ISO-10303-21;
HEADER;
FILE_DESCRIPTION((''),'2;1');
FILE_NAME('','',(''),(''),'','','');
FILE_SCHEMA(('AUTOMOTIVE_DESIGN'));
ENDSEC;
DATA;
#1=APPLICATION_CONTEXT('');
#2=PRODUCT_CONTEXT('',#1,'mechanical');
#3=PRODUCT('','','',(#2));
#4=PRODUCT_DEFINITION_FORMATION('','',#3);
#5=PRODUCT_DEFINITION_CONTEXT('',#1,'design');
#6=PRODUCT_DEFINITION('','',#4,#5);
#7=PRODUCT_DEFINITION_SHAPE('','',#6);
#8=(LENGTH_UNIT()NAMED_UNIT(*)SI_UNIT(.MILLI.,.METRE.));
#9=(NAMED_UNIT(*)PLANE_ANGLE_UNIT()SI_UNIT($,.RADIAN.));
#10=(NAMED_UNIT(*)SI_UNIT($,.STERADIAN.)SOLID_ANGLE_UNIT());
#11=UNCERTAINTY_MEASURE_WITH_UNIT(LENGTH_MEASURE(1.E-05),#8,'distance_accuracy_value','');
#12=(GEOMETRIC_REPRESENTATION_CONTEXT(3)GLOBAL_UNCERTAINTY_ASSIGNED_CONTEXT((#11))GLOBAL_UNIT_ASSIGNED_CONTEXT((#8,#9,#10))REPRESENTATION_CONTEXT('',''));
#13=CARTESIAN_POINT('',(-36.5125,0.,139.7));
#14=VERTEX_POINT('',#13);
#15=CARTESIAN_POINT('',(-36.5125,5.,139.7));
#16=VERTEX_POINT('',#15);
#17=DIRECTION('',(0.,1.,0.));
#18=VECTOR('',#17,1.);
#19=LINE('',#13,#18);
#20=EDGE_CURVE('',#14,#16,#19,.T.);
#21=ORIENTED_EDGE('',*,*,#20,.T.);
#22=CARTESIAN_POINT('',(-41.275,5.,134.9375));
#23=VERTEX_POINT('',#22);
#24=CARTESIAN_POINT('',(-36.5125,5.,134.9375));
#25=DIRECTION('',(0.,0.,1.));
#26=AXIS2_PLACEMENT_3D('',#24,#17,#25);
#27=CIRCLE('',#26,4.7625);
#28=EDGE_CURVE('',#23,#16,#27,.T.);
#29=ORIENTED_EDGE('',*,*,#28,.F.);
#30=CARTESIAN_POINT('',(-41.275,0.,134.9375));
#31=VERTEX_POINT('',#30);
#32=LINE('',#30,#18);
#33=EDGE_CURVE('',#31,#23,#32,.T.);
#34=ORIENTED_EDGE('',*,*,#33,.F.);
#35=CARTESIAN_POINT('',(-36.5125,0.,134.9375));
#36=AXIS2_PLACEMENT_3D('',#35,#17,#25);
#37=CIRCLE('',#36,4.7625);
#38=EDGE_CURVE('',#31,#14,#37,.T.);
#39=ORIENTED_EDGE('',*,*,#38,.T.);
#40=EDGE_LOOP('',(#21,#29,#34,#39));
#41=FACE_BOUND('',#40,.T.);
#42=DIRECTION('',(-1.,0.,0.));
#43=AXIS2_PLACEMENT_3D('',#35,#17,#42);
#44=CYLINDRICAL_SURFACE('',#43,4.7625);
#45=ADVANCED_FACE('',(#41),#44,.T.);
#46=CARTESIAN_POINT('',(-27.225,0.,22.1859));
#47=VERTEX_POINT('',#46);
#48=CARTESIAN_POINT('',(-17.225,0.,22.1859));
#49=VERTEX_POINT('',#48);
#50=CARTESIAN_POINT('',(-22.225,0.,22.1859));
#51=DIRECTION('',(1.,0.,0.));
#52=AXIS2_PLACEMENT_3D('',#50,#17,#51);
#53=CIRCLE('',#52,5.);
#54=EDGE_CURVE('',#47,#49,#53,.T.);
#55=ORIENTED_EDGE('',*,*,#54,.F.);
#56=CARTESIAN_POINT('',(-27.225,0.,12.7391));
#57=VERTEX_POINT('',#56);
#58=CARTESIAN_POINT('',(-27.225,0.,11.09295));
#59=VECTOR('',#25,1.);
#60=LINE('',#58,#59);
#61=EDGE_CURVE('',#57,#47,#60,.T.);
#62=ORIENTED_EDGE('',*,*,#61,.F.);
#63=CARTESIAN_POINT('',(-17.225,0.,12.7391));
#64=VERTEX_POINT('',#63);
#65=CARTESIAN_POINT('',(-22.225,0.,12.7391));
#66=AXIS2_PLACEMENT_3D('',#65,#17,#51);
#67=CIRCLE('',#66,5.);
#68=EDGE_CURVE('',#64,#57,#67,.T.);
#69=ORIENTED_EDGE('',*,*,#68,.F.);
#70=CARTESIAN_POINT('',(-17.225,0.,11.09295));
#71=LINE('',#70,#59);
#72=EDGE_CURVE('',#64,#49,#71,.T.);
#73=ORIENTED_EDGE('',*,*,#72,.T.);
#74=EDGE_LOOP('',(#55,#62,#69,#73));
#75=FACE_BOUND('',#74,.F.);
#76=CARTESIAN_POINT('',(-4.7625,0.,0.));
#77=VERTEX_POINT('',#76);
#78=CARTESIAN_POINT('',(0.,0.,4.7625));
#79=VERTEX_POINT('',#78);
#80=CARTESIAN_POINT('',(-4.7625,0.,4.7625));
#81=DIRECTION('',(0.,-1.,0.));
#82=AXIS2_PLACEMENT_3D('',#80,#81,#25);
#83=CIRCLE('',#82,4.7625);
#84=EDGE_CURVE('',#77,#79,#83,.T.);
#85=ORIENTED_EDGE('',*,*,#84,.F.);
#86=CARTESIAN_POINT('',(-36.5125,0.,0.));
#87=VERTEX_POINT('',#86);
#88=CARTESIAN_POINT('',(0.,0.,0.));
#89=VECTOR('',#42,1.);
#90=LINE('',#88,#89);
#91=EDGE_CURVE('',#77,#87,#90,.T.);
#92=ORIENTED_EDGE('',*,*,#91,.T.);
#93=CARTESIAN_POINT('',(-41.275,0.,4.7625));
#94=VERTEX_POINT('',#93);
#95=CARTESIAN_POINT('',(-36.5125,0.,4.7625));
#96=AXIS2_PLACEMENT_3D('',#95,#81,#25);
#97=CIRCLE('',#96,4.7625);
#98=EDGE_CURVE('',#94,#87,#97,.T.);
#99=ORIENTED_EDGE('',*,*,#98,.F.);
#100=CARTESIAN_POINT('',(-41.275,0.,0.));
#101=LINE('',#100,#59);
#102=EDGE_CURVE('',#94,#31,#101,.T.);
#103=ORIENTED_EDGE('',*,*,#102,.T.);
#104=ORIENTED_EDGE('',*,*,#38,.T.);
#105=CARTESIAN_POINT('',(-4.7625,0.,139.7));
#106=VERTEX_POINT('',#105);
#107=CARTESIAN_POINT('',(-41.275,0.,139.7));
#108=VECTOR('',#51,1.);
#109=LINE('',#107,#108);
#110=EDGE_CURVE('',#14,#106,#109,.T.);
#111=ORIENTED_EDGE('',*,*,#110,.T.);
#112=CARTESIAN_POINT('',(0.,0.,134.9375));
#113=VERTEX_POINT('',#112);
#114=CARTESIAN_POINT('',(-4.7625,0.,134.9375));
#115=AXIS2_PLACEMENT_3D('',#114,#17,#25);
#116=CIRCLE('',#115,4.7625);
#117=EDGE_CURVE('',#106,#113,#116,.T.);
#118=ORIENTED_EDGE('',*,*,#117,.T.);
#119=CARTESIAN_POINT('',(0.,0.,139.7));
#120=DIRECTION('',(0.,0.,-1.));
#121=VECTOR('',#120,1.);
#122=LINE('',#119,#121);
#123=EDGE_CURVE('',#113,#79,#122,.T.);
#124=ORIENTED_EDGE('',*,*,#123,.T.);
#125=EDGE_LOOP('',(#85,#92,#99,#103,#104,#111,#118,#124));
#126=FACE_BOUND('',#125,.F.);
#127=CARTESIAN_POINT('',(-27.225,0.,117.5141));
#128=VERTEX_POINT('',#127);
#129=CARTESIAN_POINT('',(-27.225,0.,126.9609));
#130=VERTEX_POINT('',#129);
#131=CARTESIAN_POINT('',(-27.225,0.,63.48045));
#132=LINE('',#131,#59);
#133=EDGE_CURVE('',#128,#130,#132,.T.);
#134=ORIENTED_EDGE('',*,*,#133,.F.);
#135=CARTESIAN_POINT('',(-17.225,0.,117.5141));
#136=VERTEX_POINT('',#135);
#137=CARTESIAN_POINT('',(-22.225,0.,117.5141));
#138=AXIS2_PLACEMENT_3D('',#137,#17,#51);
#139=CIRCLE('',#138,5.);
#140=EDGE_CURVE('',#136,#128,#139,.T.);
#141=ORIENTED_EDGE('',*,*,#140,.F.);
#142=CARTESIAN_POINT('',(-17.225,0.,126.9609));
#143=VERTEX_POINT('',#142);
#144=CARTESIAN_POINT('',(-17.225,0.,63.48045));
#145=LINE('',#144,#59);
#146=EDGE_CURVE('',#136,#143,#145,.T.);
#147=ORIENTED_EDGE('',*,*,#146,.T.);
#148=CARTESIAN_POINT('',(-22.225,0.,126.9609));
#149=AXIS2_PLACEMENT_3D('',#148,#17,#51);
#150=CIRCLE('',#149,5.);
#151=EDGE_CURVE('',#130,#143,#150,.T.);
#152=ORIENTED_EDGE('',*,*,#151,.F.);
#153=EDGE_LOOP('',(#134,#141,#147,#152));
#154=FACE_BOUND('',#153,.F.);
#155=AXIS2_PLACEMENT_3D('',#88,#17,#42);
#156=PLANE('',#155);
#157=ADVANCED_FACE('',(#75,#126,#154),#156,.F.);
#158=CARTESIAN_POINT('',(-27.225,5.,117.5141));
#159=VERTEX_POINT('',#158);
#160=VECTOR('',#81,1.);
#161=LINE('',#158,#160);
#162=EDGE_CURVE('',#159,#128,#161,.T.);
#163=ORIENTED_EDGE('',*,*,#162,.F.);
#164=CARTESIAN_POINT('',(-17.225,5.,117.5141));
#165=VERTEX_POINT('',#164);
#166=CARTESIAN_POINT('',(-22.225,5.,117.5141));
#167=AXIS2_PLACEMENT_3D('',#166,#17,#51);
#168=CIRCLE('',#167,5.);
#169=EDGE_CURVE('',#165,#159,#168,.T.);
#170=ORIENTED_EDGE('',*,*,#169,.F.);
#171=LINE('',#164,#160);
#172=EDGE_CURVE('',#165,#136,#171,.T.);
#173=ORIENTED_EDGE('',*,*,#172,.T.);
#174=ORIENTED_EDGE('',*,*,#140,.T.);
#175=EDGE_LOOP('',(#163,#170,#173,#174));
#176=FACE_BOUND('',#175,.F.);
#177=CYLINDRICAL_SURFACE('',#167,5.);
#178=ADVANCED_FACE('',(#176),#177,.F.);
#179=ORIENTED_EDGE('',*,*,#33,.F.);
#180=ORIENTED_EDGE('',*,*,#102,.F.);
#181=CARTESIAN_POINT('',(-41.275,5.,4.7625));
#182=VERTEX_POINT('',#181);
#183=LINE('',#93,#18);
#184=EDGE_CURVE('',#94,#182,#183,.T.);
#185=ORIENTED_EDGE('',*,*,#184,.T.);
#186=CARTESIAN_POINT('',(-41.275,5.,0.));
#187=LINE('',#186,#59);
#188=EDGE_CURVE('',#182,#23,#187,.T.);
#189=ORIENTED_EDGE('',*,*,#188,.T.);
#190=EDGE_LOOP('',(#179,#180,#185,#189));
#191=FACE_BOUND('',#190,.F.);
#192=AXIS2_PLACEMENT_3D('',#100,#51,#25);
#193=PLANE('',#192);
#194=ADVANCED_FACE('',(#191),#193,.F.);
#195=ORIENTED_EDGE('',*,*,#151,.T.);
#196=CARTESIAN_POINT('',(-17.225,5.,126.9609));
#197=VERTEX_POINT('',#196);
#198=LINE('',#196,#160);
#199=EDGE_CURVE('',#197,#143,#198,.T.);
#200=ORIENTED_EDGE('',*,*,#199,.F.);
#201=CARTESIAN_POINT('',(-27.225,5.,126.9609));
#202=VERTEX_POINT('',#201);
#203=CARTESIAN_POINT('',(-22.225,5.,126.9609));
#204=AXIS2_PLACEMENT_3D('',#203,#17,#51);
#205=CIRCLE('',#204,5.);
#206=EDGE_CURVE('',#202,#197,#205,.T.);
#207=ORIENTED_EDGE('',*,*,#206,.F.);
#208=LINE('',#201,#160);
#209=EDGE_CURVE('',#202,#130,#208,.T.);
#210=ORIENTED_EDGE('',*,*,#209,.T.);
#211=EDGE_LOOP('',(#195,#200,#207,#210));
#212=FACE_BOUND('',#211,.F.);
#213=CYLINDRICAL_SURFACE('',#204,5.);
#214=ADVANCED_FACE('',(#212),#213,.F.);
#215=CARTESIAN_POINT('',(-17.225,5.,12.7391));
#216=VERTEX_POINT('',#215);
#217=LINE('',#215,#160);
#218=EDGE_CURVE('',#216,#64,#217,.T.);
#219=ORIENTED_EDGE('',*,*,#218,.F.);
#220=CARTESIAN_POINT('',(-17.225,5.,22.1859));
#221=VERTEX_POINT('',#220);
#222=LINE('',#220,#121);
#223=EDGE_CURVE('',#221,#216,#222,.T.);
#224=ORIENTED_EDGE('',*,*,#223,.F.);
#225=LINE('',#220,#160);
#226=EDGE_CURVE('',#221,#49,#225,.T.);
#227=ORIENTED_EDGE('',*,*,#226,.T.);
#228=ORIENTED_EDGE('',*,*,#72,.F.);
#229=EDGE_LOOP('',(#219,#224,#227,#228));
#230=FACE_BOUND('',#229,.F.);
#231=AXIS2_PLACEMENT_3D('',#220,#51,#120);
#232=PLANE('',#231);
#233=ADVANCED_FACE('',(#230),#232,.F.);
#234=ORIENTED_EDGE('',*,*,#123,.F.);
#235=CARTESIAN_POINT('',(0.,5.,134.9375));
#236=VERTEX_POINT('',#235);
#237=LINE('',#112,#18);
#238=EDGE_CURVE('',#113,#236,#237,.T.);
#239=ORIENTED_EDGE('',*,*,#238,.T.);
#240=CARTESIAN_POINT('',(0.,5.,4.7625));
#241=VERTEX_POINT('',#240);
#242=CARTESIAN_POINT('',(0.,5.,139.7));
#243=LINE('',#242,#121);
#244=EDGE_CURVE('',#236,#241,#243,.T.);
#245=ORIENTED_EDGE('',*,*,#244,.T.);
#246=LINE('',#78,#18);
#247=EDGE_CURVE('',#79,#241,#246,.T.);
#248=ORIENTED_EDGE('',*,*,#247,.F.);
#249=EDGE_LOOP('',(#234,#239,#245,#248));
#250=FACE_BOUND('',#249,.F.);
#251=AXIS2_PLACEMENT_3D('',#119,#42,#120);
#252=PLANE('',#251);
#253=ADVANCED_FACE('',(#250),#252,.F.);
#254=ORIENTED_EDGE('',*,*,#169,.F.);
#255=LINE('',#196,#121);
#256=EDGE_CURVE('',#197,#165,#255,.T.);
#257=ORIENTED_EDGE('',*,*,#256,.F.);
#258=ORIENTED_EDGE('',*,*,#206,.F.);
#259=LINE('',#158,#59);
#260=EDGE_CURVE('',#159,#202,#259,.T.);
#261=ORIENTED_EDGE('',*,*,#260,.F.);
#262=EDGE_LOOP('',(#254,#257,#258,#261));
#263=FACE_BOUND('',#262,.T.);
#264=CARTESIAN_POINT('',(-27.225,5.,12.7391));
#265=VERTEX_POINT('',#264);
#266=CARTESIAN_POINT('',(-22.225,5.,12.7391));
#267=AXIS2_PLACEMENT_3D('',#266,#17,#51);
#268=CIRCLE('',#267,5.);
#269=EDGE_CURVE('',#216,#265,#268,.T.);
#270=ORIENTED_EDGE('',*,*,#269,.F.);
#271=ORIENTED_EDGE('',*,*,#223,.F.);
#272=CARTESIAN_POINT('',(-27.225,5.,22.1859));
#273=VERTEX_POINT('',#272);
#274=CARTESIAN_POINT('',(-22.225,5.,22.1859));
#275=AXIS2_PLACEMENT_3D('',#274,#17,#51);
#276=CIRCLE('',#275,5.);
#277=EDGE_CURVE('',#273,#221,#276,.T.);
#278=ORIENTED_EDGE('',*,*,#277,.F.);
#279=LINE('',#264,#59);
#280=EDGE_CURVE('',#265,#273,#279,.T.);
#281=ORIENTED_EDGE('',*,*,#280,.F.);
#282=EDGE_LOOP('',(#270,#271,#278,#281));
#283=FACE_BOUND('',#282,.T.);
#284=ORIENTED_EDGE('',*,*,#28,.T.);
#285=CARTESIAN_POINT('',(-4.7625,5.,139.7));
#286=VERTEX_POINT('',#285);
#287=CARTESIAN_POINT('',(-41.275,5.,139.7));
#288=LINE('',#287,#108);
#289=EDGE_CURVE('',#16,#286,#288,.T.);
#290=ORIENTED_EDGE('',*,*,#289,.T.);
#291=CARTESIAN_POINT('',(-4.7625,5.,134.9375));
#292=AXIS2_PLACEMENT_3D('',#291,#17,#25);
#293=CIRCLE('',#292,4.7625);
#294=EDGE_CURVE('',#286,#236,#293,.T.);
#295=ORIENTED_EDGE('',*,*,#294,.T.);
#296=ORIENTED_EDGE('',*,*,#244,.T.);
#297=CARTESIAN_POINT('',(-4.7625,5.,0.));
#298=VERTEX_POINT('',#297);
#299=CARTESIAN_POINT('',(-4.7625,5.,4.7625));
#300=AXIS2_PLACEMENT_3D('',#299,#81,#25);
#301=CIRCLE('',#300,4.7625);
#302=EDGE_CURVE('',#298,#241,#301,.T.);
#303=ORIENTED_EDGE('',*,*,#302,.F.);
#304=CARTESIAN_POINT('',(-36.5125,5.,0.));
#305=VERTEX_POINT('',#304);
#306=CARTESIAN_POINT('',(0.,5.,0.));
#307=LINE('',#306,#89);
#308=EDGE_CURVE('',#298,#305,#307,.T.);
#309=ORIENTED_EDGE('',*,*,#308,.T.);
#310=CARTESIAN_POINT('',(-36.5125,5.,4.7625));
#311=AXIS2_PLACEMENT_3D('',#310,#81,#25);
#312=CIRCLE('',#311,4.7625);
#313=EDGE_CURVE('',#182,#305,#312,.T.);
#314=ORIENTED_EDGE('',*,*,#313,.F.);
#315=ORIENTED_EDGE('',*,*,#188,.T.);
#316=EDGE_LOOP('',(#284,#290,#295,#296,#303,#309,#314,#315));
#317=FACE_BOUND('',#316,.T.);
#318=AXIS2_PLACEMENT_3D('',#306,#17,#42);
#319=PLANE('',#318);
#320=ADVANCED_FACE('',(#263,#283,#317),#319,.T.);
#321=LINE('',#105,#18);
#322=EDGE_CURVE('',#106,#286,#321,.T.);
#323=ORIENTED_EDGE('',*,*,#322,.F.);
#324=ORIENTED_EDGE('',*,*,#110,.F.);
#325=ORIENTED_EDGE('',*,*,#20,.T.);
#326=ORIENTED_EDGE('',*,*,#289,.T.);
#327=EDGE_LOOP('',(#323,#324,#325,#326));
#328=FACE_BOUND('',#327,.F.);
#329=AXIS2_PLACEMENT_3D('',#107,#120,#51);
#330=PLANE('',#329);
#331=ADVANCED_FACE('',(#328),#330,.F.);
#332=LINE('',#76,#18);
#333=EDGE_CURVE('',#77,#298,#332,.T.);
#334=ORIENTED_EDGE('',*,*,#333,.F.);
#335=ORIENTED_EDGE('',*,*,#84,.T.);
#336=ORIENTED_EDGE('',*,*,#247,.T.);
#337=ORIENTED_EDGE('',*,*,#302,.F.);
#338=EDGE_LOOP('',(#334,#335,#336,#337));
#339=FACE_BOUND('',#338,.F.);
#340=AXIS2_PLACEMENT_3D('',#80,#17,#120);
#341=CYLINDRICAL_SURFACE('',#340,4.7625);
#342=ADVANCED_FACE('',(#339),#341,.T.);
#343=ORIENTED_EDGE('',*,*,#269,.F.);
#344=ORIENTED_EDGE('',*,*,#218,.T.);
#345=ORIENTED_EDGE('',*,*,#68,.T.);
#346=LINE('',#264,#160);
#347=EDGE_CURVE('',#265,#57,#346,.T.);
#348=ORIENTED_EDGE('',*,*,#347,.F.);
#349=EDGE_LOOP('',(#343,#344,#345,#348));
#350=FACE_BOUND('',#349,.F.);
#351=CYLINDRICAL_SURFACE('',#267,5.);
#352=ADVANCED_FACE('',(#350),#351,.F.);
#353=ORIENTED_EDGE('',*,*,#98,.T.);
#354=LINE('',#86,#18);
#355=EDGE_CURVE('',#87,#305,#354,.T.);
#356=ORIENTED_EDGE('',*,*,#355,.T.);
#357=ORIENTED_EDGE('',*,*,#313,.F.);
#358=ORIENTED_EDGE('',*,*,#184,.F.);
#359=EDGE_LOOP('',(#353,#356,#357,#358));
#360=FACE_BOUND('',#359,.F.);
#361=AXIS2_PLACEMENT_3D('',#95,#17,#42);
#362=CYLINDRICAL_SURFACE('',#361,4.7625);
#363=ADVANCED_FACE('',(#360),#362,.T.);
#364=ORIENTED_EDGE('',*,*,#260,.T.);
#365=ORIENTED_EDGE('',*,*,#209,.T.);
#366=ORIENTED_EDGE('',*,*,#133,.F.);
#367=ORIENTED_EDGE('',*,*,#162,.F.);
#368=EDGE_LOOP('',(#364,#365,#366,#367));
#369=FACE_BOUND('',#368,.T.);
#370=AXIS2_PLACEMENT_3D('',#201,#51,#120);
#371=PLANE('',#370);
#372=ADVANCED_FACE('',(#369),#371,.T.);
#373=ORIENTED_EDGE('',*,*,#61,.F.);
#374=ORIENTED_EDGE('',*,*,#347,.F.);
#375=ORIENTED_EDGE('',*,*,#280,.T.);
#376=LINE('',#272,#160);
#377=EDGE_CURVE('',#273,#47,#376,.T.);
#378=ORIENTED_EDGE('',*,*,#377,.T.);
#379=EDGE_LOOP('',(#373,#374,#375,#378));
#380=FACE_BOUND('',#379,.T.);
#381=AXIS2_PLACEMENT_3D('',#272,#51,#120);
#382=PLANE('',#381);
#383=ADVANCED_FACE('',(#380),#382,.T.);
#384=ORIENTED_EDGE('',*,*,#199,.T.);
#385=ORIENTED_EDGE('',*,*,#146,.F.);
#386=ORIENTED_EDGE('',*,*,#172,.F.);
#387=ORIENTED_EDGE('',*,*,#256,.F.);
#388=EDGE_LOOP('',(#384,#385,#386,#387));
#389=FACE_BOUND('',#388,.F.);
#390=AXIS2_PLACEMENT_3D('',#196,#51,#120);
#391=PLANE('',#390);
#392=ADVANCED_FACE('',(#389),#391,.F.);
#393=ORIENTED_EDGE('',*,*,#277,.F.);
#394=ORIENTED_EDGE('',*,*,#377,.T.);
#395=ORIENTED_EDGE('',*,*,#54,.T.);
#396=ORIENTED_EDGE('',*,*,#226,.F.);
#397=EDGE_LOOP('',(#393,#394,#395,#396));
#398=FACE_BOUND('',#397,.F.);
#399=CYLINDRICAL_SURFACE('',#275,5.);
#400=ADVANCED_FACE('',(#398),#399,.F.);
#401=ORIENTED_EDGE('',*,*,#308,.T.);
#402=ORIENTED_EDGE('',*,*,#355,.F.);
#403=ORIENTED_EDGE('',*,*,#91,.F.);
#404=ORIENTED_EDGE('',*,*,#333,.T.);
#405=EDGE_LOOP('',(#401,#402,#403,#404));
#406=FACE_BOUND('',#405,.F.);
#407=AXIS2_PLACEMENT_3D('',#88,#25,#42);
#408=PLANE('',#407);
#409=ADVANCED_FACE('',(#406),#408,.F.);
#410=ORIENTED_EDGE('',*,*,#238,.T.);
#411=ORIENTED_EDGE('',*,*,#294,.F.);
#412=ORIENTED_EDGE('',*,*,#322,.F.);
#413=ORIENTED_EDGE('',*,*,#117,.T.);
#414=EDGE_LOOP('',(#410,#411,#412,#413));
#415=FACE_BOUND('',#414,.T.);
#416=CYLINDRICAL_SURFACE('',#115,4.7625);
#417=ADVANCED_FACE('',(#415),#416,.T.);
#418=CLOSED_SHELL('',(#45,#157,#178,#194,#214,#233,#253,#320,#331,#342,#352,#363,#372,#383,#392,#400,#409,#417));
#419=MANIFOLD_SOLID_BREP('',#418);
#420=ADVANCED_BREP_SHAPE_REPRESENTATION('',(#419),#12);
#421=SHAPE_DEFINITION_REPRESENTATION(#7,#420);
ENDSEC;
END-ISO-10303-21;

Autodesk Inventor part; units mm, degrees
ref_plane "YZ Plane" through (0, 0, 0) normal (1, 0, 0) x (0, 1, 0)
ref_plane "XZ Plane" through (0, 0, 0) normal (0, 1, 0) x (-1, 0, 0)
ref_plane "XY Plane" through (0, 0, 0) normal (0, 0, 1) x (1, 0, 0)
sketch "Boceto1" plane through (0, 0, 0) normal (0, 1, 0) x (-1, 0, 0)
  line L0 (41.275, 139.7) -> (0, 139.7)
  line L1 (0, 139.7) -> (0, 0)
  line L2 (0, 0) -> (41.275, 0)
  line L3 (41.275, 0) -> (41.275, 139.7)
  dimension "d0" = 139.7
  dimension "d1" = 41.275
extrude "Extrusión1" add sketch "Boceto1" along normal blind 5
sketch "Boceto2" plane through (0, 5, 0) normal (0, 1, 0) x (1, 0, 0)
  circle A0 centre (-22.225, -122.2375) radius 5
  line L0 (-41.275, -139.7) -> (0, -139.7) projected
  circle A1 centre (-22.225, -126.9609) radius 5
  circle A2 centre (-22.225, -117.5141) radius 5
  line L1 (-22.225, -126.9609) -> (-22.225, -122.2375)
  line L2 (-22.225, -122.2375) -> (-22.225, -117.5141)
  line L3 (-41.275, -139.7) -> (-41.275, 0) projected
  line L4 (-17.225, -126.9609) -> (-17.225, -117.5141)
  line L5 (-27.225, -126.9609) -> (-27.225, -117.5141)
  circle A3 centre (-22.225, -17.4625) radius 5
  circle A4 centre (-22.225, -22.1859) radius 5
  circle A5 centre (-22.225, -12.7391) radius 5
  line L6 (-22.225, -22.1859) -> (-22.225, -17.4625)
  line L7 (-22.225, -17.4625) -> (-22.225, -12.7391)
  line L8 (0, 0) -> (-41.275, 0) projected
  line L9 (-27.225, -22.1859) -> (-27.225, -12.7391)
  line L10 (-17.225, -22.1859) -> (-17.225, -12.7391)
  dimension "d4" = 10
  dimension "d5" = 17.4625
  dimension "d6" = 10
  dimension "d7" = 10
  dimension "d8" = 19.4469
  dimension "d9" = 19.05
  dimension "d10" = 10
  dimension "d11" = 10
  dimension "d12" = 10
  dimension "d13" = 19.4469
  dimension "d14" = 19.05
  dimension "d15" = 17.4625
extrude "Extrusión2" cut sketch "Boceto2" against normal up to next
fillet "Empalme1" radius 4.7625 4 edges at (0, 2.5, 139.7) (-41.275, 2.5, 139.7) (0, 2.5, 0) (-41.275, 2.5, 0)
properties part number "CAR LATERAL BEARING HOLDER"
